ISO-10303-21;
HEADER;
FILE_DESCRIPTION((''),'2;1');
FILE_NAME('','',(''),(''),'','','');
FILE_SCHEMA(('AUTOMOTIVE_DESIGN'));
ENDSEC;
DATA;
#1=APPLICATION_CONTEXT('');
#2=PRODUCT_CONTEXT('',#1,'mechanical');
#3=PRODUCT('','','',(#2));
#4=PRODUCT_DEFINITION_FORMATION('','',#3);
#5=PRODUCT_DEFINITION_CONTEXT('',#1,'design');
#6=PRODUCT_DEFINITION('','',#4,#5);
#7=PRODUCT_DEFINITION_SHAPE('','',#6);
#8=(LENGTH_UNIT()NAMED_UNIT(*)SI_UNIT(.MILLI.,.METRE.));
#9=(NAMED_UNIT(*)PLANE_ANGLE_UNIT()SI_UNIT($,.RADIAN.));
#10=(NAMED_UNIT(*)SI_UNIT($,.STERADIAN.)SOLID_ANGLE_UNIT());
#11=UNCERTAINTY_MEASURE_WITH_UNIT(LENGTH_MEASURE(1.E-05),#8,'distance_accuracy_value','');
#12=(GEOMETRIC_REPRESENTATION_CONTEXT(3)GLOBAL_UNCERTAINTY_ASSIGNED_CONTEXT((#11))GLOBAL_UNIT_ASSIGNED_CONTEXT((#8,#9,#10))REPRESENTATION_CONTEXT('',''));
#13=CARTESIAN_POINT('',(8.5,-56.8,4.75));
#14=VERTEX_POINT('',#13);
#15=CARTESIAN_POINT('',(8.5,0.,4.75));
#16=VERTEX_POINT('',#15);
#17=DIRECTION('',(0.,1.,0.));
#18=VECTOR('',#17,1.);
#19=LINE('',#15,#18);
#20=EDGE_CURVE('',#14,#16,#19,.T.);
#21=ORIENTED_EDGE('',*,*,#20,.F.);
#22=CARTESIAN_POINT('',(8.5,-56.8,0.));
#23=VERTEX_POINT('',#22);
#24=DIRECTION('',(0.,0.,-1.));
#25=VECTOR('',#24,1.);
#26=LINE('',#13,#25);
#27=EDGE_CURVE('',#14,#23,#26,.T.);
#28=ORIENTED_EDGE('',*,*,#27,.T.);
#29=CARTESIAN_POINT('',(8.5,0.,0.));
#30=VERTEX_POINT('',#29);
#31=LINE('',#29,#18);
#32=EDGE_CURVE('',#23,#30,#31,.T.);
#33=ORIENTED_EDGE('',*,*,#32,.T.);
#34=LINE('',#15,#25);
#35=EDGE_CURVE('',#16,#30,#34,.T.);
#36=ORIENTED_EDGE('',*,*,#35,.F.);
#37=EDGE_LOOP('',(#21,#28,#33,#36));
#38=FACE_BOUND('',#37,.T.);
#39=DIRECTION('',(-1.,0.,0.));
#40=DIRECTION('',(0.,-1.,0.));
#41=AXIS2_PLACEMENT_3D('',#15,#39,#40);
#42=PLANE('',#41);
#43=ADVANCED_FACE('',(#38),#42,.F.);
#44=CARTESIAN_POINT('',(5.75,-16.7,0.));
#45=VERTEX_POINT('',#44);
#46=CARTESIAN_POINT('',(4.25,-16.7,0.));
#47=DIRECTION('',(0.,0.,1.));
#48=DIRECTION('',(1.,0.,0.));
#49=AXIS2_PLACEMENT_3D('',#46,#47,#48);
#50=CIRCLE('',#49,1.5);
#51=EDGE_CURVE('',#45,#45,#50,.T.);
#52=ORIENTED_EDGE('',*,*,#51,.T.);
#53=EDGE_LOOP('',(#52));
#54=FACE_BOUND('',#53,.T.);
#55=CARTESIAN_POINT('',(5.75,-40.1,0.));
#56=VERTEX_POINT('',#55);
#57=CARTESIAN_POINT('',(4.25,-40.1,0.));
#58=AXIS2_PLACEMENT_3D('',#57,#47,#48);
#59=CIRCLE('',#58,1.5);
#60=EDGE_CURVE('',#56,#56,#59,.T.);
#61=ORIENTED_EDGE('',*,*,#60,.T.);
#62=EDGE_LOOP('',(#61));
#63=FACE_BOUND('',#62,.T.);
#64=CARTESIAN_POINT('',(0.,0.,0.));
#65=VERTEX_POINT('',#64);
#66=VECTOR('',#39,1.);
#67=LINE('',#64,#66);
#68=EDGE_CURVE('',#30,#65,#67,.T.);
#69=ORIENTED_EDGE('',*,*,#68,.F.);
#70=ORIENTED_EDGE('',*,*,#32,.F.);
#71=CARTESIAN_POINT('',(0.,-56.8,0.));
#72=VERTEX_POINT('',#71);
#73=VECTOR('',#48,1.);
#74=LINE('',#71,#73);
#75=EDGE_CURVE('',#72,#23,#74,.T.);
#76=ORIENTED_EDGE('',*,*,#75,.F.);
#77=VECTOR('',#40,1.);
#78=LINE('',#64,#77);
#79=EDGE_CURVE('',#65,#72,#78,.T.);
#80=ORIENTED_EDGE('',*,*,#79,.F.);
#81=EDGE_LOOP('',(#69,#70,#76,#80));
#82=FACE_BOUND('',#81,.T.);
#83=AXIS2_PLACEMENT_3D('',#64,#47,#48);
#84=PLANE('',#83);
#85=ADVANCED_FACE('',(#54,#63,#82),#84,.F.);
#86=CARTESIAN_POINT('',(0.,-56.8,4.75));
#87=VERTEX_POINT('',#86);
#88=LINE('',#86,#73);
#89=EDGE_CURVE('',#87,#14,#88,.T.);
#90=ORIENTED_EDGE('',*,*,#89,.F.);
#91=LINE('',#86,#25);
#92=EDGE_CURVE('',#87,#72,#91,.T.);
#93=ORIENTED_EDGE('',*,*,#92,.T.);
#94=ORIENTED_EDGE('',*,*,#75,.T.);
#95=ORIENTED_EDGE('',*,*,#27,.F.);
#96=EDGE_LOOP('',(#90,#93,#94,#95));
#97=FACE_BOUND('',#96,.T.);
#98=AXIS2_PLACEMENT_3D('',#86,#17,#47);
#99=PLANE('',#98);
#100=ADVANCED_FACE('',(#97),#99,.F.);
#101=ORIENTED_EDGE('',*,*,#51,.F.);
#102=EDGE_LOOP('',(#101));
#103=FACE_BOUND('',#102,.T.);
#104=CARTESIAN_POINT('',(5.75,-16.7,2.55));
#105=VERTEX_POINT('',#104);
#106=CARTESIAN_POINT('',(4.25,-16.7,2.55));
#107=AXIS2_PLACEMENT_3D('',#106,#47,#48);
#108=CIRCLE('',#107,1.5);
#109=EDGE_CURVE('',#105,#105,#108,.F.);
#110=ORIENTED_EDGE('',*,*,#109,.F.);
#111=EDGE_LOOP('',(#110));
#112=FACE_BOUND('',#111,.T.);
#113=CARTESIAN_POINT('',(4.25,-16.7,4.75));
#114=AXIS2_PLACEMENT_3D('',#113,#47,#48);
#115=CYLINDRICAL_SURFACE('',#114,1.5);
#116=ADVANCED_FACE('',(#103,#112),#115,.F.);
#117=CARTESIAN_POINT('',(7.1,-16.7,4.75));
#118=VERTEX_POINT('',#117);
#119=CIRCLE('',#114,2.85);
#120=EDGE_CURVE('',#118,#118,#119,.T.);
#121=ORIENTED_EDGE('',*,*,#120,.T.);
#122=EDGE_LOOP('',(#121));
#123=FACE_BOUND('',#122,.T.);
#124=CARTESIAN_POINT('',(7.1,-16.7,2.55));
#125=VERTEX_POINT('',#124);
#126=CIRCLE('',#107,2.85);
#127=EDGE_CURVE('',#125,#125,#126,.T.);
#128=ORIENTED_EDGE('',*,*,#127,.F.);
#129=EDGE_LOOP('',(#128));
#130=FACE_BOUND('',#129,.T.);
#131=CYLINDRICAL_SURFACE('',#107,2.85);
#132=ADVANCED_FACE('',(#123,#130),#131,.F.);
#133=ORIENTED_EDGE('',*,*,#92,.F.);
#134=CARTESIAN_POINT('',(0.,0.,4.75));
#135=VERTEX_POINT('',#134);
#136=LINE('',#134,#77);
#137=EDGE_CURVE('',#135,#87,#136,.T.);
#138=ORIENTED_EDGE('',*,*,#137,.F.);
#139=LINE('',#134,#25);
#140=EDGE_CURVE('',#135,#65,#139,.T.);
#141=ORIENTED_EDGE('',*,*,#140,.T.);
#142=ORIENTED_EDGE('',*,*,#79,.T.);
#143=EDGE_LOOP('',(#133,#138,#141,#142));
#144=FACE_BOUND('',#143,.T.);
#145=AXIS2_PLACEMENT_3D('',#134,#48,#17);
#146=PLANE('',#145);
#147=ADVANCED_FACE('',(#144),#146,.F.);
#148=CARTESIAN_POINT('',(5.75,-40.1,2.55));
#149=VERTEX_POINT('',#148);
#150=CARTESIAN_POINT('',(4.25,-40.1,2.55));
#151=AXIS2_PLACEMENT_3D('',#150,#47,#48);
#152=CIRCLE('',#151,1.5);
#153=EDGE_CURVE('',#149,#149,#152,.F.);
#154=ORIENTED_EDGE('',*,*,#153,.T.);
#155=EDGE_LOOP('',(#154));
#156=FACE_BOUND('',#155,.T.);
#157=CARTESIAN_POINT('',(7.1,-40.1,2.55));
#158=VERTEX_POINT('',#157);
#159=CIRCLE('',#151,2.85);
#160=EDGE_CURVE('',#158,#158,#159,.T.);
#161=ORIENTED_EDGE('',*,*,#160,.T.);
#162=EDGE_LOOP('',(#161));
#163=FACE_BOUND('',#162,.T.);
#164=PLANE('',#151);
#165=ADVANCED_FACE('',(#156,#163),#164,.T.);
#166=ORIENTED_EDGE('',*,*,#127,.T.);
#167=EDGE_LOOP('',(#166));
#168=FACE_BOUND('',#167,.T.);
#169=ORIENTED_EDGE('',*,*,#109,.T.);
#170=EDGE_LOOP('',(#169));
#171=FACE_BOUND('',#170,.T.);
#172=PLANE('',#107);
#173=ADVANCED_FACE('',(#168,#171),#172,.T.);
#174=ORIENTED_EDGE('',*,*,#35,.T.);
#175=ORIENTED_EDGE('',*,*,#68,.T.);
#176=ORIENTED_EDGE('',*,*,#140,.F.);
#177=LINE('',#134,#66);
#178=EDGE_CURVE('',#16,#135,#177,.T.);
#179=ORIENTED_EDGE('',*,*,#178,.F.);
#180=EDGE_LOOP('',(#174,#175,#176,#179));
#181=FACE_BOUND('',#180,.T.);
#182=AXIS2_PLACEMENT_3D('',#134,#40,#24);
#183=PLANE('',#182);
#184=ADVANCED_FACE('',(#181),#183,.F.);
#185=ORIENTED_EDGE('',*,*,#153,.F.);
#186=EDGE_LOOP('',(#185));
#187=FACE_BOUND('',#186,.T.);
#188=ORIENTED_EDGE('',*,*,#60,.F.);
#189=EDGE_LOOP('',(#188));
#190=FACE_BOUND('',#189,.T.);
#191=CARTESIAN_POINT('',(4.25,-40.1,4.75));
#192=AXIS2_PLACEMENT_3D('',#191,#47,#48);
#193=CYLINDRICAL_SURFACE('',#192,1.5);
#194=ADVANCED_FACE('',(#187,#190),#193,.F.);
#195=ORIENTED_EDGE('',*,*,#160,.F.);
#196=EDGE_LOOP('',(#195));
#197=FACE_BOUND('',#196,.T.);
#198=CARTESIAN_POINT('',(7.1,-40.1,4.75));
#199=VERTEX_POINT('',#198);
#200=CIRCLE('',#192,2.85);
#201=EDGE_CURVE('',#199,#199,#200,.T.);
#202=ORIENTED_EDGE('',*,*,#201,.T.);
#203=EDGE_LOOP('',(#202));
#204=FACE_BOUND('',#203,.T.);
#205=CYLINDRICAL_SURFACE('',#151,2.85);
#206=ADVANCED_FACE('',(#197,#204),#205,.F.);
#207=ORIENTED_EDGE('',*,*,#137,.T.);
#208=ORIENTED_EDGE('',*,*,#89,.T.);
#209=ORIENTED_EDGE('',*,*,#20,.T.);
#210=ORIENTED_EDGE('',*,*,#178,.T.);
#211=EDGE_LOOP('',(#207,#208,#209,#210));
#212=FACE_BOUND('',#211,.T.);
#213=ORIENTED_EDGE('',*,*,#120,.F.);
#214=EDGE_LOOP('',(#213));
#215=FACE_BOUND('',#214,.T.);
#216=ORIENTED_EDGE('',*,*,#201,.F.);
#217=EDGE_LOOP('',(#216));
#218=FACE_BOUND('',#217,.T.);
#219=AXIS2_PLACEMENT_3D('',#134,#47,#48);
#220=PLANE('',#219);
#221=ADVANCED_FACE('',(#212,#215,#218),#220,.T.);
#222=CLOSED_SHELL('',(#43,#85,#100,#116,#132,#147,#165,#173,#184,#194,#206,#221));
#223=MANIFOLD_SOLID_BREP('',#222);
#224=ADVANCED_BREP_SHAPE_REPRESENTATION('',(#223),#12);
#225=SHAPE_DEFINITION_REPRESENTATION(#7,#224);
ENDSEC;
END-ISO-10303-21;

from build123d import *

# Parameters (mm, degrees)
SKETCH1_W                 = 8.5
SKETCH1_H                 = 56.8
BOSS_EXTRUDE1_DEPTH       = 4.75
F_3_0MM_DOWEL_HOLE1_D     = 3
F_3_0MM_DOWEL_HOLE1_DEPTH = 5
F_3_0MM_DOWEL_HOLE1_TIP   = 0.901290929
SKETCH6_R                 = 2.85
CUT_EXTRUDE1_DEPTH        = 2.2


with BuildPart() as part:
    # Sketch1 → Boss-Extrude1 (new body)
    with BuildSketch(Plane.XY):
        with Locations((4.25, -28.4)):
            Rectangle(SKETCH1_W, SKETCH1_H)
    extrude(amount=BOSS_EXTRUDE1_DEPTH)

    # Ø3.0mm Dowel Hole1
    with Locations(Plane.XY.offset(4.75)):
        with Locations((4.25, -16.7), (4.25, -40.1)):
            Hole(F_3_0MM_DOWEL_HOLE1_D / 2, depth=F_3_0MM_DOWEL_HOLE1_DEPTH)
            with Locations((0, 0, -(F_3_0MM_DOWEL_HOLE1_DEPTH + F_3_0MM_DOWEL_HOLE1_TIP / 2))):  # 118° drill point
                Cone(0, F_3_0MM_DOWEL_HOLE1_D / 2, F_3_0MM_DOWEL_HOLE1_TIP, mode=Mode.SUBTRACT)

    # Sketch6 → Cut-Extrude1 (cut)
    with BuildSketch(Plane.XY.offset(4.75)):
        with Locations((4.25, -16.7)):
            Circle(SKETCH6_R)
        with Locations((4.25, -40.1)):
            Circle(SKETCH6_R)
    extrude(amount=-CUT_EXTRUDE1_DEPTH, mode=Mode.SUBTRACT)


solid = part.part
